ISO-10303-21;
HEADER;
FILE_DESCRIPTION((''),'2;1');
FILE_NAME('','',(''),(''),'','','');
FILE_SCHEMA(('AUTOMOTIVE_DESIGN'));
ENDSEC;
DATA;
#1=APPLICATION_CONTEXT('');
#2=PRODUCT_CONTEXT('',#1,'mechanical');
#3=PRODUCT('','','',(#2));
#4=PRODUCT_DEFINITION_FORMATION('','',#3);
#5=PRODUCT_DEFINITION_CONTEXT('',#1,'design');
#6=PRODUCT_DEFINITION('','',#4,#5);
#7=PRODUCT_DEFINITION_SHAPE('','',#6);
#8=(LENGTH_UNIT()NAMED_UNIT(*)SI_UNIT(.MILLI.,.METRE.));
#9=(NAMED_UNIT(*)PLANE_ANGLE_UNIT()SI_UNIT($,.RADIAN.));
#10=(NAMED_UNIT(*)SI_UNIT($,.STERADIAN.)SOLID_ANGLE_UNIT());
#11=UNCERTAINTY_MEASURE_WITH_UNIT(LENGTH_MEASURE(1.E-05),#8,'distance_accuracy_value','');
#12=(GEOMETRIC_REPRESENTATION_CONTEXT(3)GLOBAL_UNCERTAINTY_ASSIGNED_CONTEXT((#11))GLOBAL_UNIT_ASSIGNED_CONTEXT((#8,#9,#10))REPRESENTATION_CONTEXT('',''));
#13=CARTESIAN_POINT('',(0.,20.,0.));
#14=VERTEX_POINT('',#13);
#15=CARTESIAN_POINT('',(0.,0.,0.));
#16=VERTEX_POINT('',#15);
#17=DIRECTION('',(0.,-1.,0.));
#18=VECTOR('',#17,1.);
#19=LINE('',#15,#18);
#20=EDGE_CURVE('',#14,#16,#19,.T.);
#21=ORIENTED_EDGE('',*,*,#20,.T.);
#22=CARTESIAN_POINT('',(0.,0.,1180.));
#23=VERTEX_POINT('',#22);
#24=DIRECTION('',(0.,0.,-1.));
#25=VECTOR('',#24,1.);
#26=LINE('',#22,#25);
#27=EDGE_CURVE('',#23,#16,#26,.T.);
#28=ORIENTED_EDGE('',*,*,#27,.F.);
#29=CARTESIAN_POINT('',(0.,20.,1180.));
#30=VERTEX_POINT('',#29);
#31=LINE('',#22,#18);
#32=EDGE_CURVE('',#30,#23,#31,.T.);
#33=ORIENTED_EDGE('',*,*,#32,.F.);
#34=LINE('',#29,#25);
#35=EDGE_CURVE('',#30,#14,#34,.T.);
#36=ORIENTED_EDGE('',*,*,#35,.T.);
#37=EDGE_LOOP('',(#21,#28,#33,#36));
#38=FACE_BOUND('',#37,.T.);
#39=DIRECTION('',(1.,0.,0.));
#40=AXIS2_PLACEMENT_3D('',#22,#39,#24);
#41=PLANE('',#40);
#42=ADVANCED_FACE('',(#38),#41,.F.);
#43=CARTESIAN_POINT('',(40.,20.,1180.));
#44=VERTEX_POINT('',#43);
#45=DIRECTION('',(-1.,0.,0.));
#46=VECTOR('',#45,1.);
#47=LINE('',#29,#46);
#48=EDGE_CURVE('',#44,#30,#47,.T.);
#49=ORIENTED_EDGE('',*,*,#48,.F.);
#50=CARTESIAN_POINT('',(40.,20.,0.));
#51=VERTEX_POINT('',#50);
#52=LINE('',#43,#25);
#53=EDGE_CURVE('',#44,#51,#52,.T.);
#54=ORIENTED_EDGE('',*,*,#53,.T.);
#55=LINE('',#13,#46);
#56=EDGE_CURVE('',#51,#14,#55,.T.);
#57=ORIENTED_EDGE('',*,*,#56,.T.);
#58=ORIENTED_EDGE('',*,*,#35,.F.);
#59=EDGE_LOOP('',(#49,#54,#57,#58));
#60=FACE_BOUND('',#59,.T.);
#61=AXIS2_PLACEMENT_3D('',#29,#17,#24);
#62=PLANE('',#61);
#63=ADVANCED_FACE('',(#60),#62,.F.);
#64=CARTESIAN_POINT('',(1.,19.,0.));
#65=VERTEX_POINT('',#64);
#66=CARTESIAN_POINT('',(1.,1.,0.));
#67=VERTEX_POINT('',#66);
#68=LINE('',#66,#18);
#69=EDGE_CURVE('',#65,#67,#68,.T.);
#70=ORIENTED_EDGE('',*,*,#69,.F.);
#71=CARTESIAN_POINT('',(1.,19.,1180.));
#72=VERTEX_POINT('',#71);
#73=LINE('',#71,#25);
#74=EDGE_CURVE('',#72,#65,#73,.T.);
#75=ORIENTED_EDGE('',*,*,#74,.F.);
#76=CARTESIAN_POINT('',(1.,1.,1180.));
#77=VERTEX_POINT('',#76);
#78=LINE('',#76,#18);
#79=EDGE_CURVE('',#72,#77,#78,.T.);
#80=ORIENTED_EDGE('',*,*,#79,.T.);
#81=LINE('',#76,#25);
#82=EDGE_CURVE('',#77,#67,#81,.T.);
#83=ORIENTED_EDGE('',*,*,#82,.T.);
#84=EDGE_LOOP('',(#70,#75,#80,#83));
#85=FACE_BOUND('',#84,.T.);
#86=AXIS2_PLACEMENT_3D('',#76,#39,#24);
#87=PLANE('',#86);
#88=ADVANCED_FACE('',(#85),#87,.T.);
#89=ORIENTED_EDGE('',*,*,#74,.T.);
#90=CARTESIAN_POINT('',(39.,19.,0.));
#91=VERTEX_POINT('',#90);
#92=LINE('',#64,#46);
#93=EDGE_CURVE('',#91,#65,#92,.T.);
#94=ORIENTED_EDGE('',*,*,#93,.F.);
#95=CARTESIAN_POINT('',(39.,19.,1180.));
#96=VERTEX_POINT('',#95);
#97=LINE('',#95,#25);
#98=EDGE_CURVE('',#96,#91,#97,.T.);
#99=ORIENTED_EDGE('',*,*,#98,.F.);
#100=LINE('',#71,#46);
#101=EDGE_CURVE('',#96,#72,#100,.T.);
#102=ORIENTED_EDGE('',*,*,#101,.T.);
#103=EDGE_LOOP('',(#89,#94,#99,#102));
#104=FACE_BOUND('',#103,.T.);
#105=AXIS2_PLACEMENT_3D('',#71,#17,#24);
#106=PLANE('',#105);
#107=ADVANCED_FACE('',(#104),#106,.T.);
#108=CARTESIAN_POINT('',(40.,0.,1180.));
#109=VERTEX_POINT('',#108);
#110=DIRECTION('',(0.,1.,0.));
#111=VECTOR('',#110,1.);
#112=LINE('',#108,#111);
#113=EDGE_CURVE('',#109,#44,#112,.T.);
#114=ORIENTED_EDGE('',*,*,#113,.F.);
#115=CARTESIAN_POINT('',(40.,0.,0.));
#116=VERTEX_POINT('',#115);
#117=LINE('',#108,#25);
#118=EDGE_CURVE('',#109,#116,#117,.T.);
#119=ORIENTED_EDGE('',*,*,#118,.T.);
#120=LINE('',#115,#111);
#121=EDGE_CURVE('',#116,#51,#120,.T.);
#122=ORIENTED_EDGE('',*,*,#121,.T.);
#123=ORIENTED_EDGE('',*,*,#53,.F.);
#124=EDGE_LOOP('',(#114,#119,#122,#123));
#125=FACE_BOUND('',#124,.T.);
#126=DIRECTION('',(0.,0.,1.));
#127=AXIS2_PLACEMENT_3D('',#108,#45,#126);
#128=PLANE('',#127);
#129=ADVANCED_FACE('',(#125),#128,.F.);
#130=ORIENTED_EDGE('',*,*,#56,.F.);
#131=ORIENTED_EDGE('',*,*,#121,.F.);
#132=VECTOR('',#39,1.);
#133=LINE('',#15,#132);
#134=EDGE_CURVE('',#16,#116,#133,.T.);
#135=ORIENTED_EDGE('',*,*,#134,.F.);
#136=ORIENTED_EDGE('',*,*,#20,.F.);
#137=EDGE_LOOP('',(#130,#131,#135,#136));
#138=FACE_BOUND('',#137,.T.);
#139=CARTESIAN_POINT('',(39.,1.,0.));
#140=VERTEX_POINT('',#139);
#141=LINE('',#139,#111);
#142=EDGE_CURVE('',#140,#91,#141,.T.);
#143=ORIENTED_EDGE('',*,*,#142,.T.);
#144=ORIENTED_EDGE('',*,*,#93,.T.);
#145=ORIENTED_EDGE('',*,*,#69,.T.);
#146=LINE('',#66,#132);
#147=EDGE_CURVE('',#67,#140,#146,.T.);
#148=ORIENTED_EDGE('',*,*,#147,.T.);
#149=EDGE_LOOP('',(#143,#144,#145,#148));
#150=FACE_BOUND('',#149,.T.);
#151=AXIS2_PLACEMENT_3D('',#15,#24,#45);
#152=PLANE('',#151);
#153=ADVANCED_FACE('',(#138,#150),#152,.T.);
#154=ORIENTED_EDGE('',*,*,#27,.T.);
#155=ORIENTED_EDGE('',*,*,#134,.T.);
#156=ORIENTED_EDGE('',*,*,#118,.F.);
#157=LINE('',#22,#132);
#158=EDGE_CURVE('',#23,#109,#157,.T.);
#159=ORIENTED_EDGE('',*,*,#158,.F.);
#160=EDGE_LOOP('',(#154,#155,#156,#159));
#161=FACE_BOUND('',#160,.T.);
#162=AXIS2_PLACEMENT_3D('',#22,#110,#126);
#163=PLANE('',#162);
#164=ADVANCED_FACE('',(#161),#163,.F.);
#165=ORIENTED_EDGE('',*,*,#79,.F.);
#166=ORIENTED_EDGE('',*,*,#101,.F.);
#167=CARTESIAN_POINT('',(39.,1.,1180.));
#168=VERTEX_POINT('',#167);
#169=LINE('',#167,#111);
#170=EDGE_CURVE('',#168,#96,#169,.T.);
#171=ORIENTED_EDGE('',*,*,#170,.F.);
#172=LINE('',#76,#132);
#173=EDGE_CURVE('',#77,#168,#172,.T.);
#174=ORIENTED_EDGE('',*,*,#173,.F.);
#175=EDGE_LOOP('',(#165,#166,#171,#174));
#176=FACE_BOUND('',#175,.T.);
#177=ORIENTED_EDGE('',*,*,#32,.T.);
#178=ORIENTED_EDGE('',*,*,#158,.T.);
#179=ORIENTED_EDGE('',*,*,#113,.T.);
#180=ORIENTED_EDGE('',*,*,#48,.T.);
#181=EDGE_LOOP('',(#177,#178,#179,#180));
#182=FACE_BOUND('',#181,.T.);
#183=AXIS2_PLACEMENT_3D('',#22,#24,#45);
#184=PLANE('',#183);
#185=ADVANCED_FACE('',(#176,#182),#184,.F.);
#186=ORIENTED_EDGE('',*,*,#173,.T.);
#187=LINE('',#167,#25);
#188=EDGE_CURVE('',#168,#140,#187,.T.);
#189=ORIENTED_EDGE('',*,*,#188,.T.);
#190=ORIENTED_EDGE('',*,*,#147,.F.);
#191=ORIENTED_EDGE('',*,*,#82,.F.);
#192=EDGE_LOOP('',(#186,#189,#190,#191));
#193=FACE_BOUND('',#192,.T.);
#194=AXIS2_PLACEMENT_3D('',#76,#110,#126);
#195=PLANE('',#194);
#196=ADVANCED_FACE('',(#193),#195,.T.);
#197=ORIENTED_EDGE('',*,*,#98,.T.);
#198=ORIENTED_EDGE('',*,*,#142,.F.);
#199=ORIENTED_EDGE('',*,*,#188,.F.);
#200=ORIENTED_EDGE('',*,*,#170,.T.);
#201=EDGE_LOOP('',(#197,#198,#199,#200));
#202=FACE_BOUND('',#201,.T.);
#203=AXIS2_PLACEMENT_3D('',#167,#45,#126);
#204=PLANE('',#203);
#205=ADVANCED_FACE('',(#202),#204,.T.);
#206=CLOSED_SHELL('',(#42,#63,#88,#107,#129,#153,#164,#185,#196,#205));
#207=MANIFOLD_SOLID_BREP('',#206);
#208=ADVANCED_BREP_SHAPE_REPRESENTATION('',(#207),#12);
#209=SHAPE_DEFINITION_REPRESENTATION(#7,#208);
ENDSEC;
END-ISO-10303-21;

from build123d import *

# Parameters (mm, degrees)
SKETCH_1_W      = 40
SKETCH_1_H      = 20
SKETCH_1_W_2    = 38
SKETCH_1_H_2    = 18
EXTRUDE_1_DEPTH = 1180


with BuildPart() as part:
    # 草图1 → 凸台-拉伸1 (new body)
    with BuildSketch(Plane.XY):
        with Locations((20, 10)):
            Rectangle(SKETCH_1_W, SKETCH_1_H)
        with Locations((20, 10)):
            Rectangle(SKETCH_1_W_2, SKETCH_1_H_2, mode=Mode.SUBTRACT)
    extrude(amount=EXTRUDE_1_DEPTH)


solid = part.part
